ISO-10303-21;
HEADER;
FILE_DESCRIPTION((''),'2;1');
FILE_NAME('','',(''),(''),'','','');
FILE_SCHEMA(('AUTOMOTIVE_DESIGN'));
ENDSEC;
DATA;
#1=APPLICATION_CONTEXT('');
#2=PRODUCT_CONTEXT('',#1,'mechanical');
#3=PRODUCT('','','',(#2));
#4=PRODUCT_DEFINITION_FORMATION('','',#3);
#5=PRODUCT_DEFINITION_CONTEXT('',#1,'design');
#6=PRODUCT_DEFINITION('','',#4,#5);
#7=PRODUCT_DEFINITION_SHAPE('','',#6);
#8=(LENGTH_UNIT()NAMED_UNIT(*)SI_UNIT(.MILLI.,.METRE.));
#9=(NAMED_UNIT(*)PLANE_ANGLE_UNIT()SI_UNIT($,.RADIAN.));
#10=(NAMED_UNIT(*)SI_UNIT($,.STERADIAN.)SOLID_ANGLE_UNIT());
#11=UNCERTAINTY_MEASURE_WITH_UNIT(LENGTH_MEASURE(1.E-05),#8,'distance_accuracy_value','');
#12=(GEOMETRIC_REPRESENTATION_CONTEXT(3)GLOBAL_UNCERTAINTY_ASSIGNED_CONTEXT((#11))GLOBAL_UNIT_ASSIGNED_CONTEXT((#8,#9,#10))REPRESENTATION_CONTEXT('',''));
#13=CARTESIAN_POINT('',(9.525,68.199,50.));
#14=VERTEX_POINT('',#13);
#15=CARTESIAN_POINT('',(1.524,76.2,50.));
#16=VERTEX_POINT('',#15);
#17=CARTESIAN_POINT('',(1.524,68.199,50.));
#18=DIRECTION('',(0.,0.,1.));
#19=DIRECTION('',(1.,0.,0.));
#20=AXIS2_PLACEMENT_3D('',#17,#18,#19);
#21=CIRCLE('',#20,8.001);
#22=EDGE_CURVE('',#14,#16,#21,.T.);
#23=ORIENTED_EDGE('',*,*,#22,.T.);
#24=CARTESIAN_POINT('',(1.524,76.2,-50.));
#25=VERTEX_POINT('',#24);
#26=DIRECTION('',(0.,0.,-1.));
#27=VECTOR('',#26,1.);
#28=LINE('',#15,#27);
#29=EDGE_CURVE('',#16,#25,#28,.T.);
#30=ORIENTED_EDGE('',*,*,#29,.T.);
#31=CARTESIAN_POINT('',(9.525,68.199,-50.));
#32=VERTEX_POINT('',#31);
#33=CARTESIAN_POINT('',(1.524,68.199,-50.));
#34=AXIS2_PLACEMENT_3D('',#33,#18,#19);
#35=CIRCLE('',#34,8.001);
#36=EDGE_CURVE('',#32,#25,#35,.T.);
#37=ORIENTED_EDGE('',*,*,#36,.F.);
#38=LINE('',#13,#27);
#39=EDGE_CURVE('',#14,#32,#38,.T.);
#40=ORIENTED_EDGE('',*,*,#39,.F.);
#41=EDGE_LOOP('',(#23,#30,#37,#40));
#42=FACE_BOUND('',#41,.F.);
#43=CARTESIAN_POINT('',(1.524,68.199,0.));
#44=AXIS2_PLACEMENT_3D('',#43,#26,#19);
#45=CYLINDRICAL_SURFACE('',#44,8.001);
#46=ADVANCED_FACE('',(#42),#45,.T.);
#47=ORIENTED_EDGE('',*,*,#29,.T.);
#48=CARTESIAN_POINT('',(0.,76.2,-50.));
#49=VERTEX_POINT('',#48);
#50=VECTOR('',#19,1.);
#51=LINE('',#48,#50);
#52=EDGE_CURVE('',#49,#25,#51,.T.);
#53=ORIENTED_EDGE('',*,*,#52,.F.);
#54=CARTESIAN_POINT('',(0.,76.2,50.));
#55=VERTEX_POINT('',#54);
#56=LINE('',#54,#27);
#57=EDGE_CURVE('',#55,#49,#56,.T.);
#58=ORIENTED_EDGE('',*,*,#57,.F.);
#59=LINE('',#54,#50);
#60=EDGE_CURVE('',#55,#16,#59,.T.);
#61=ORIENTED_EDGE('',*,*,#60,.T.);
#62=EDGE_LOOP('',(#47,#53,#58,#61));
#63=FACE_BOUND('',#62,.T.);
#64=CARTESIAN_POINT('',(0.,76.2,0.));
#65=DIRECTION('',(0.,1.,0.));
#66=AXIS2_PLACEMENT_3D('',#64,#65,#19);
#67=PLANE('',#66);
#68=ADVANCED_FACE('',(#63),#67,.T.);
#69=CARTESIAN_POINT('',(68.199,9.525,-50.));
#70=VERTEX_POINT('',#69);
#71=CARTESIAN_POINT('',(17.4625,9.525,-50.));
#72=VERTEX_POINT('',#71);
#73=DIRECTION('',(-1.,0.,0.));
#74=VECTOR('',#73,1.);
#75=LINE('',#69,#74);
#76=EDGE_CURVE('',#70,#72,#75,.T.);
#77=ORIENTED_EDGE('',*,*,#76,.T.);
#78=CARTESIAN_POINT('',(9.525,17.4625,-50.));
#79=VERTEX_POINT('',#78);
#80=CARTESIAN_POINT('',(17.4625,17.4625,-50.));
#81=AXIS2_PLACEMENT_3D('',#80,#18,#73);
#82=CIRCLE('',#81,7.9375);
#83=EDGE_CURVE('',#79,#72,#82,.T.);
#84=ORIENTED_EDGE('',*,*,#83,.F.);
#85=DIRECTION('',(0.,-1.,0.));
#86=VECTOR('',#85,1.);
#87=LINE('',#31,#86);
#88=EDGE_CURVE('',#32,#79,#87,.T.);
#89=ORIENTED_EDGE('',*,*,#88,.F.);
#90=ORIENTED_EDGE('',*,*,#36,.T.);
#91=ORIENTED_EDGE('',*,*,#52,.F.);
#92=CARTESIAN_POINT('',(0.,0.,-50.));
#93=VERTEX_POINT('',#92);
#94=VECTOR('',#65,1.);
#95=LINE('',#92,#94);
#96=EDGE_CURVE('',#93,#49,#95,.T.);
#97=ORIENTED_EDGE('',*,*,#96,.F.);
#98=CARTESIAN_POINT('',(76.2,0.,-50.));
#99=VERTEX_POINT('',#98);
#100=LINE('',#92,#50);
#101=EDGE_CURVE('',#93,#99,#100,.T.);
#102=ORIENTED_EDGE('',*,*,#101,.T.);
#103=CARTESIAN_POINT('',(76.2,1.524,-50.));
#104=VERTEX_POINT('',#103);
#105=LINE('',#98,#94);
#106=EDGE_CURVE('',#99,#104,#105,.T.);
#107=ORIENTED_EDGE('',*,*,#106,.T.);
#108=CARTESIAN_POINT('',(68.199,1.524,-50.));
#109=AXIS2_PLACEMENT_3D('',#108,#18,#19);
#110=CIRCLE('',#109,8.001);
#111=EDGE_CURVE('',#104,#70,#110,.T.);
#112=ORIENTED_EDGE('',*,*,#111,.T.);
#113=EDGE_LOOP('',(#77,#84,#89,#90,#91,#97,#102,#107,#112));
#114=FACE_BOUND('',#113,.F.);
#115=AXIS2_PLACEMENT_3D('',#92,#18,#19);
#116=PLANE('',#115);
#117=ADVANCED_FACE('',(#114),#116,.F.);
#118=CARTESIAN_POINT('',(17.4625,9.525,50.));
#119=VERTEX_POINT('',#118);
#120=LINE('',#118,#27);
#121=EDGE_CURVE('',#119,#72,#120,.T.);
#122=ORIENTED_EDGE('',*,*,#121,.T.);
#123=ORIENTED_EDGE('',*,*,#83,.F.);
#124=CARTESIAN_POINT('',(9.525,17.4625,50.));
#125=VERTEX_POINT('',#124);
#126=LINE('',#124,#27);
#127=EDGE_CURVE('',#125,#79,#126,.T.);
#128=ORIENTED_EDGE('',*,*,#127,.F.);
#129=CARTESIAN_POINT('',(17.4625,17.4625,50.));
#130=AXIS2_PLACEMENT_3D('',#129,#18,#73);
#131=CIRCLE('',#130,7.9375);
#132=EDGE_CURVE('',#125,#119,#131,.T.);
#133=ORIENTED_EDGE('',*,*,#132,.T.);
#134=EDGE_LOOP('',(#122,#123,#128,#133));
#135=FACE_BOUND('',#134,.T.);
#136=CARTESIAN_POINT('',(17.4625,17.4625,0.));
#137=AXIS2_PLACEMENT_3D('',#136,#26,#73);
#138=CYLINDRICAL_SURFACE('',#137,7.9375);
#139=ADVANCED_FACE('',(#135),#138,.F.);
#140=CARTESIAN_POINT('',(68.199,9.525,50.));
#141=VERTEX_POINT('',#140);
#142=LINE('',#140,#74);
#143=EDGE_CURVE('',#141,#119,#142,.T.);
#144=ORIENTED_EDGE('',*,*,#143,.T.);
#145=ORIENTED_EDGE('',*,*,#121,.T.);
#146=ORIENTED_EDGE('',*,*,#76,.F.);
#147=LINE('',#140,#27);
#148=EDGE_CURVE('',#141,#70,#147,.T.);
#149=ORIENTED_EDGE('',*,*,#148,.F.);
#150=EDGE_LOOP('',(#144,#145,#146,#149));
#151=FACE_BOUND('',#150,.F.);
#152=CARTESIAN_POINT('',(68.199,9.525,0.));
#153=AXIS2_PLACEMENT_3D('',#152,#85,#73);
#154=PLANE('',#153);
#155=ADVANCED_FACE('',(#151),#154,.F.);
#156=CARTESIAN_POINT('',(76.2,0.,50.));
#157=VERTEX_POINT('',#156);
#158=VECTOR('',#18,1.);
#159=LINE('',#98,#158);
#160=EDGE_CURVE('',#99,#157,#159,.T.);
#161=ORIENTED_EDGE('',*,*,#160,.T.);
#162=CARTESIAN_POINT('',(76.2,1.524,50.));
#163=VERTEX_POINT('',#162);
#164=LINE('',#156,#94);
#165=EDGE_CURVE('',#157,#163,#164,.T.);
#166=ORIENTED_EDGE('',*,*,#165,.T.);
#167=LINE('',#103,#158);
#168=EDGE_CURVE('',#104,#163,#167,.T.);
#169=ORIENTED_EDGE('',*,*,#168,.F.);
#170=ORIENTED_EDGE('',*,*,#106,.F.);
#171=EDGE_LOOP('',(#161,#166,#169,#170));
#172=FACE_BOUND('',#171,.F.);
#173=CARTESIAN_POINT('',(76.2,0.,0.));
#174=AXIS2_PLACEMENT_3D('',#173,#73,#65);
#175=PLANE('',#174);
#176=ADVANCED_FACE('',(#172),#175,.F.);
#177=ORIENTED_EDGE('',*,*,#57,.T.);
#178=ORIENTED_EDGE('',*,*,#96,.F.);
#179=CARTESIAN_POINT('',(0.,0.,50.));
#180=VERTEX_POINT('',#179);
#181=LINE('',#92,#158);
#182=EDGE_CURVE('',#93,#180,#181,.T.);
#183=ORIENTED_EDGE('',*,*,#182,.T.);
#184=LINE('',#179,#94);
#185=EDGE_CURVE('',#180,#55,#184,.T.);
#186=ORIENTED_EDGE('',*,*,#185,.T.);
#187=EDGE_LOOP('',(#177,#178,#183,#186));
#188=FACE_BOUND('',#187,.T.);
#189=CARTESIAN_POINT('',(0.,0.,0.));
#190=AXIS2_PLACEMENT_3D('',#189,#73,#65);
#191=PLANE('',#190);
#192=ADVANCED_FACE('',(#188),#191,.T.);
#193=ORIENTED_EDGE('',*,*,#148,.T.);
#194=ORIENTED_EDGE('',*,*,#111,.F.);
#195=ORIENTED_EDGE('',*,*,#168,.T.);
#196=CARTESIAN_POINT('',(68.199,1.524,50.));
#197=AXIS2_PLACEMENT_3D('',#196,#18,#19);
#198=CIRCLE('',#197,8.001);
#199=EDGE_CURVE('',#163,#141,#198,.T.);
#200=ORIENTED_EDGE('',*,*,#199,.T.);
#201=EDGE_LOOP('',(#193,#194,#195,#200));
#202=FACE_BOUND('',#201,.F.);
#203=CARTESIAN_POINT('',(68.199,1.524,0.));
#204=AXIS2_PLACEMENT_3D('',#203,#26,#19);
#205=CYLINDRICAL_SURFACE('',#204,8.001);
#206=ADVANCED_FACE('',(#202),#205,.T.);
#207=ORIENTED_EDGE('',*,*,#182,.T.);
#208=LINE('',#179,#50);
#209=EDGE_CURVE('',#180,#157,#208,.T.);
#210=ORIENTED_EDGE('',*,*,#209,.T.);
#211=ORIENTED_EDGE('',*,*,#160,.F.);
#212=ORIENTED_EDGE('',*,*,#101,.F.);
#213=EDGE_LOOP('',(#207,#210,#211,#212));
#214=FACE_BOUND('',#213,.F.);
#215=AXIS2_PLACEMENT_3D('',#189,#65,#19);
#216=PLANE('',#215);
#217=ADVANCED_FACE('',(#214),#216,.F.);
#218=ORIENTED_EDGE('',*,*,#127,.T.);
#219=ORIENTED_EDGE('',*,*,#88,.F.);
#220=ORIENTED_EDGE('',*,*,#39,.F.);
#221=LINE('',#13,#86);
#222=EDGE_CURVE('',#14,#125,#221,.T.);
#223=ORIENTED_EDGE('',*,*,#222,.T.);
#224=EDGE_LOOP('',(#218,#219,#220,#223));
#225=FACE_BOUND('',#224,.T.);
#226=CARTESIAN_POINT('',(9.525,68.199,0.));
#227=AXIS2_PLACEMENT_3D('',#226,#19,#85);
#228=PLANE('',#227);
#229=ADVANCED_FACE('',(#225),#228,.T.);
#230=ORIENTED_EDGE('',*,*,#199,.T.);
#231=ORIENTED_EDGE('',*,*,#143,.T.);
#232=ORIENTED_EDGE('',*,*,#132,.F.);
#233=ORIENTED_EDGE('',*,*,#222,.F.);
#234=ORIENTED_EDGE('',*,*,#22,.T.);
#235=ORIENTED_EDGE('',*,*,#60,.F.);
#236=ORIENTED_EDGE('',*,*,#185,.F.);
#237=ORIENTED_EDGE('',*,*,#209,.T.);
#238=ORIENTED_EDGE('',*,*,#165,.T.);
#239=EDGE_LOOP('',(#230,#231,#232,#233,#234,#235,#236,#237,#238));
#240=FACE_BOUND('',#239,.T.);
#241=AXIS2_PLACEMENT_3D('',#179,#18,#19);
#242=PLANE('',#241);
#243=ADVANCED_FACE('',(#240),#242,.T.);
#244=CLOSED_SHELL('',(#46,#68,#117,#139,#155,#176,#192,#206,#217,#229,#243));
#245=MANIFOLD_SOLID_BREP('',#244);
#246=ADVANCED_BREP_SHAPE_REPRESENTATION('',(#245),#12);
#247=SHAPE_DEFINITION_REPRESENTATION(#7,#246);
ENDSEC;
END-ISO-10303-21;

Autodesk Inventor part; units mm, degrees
ref_plane "YZ Plane" through (0, 0, 0) normal (1, 0, 0) x (0, 1, 0)
ref_plane "XZ Plane" through (0, 0, 0) normal (0, 1, 0) x (-1, 0, 0)
ref_plane "XY Plane" through (0, 0, 0) normal (0, 0, 1) x (1, 0, 0)
sketch "Sketch1" plane through (0, 0, 0) normal (0, 0, 1) x (1, 0, 0)
  line L0 (0, 0) -> (0, 76.2)
  line L1 (0, 76.2) -> (1.524, 76.2)
  line L2 (9.525, 68.199) -> (9.525, 17.4625)
  line L3 (0, 0) -> (76.2, 0)
  line L4 (76.2, 0) -> (76.2, 1.524)
  line L5 (68.199, 9.525) -> (17.4625, 9.525)
  arc A0 (9.525, 17.4625) -> (17.4625, 9.525) centre (17.4625, 17.4625) ccw
  arc A1 (9.525, 68.199) -> (1.524, 76.2) centre (1.524, 68.199) ccw
  arc A2 (76.2, 1.524) -> (68.199, 9.525) centre (68.199, 1.524) ccw
  dimension "thickness" = 9.525
  dimension "d3" = 9.525
  dimension "LegSize" = 76.2
  dimension "d5" = 76.2
  dimension "radius" = 7.9375
  dimension "d7" = 8.001
  dimension "d8" = 8.001
extrude "3\" X 3\" X 3/8\"" add sketch "Sketch1" along normal mid plane 100
equation "\"d3\" = thickness"
equation "\"d5\" = LegSize"
properties part number "ANGLE IRON, 3 X 3 X 0.375 THK" material "Angle Iron"
